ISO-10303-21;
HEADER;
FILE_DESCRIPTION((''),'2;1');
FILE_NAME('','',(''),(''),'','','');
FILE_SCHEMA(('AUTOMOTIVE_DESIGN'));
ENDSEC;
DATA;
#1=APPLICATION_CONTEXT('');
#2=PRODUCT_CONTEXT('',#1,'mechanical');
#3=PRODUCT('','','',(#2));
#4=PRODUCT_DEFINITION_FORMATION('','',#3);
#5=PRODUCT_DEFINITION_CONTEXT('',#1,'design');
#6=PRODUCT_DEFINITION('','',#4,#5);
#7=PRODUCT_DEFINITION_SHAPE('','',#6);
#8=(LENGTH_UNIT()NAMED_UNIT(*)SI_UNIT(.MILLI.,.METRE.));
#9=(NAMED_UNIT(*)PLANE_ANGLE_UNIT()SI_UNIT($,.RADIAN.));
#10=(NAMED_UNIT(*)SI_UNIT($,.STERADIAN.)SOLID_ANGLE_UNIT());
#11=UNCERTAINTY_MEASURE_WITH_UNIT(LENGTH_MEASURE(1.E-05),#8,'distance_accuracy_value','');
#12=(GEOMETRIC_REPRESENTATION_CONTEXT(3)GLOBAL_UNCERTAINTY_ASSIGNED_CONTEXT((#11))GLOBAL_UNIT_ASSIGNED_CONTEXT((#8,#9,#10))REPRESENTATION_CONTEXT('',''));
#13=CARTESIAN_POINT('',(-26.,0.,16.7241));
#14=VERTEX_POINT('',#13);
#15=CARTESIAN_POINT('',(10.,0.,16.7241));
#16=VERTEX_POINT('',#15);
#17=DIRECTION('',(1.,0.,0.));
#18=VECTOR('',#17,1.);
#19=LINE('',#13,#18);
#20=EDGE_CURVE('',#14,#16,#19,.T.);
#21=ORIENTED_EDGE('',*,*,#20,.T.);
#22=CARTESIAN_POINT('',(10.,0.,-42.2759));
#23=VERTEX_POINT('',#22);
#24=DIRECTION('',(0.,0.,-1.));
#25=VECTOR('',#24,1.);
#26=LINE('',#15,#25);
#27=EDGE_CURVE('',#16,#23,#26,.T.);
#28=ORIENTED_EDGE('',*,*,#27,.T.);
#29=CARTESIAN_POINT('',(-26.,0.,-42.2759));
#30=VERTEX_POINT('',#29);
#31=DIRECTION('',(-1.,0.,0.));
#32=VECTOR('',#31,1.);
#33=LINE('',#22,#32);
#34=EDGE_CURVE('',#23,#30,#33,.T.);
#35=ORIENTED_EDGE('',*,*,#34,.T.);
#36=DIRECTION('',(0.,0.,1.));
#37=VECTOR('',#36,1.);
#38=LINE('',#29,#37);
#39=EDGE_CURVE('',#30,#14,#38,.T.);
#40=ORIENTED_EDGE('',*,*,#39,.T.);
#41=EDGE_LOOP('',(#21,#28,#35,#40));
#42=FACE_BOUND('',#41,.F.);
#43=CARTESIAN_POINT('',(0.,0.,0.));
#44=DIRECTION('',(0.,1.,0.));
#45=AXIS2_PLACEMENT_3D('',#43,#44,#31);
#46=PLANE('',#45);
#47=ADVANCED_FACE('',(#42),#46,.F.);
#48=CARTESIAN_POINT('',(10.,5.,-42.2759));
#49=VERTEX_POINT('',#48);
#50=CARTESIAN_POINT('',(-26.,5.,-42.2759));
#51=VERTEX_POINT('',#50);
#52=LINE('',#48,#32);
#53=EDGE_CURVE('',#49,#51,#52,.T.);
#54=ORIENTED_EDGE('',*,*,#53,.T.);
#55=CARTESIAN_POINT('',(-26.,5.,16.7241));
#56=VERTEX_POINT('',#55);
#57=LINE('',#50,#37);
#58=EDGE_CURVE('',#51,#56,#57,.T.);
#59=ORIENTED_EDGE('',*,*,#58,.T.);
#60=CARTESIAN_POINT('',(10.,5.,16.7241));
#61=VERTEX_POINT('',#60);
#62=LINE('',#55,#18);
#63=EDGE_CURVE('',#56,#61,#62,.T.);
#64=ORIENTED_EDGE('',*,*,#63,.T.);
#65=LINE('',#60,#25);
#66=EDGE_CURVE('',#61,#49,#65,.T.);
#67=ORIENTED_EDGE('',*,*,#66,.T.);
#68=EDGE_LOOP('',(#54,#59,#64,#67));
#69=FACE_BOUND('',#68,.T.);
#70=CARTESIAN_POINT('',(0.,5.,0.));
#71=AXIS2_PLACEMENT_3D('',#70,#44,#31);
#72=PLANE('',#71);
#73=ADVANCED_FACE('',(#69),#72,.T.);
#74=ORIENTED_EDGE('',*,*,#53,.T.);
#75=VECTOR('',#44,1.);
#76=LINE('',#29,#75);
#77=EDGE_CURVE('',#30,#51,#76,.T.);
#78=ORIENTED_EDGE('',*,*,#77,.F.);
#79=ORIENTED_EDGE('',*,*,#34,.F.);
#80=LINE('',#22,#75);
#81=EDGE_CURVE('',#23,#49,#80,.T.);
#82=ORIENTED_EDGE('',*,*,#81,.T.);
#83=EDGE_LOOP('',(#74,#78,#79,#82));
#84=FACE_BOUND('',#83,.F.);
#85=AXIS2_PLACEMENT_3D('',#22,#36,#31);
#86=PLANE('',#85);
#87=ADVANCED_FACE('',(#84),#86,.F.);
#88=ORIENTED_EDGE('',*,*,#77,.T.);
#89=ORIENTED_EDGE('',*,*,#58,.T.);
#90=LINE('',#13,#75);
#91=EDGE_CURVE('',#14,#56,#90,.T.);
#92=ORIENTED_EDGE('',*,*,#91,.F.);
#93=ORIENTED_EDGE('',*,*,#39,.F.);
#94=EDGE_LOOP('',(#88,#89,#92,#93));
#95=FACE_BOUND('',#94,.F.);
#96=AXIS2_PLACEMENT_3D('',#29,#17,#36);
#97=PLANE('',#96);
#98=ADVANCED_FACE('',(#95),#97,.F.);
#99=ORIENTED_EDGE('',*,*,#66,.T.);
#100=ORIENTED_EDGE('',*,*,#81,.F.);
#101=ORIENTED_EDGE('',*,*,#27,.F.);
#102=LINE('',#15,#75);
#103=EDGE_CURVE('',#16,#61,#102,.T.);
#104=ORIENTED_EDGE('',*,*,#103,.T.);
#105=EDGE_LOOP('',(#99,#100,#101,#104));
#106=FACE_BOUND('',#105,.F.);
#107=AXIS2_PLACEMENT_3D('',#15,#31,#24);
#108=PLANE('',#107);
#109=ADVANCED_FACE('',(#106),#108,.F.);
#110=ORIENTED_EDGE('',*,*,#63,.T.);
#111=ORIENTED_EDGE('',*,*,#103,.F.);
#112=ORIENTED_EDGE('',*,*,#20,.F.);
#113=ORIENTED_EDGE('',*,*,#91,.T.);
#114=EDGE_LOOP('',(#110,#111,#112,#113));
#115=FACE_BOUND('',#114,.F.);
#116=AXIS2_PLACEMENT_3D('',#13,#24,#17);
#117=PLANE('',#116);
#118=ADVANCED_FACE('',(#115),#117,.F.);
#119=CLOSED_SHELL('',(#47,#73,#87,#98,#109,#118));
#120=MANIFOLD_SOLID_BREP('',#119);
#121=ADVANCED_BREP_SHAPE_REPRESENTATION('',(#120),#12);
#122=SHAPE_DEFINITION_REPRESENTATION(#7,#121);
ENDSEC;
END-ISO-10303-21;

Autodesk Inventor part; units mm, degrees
ref_plane "YZ Plane" through (0, 0, 0) normal (1, 0, 0) x (0, 1, 0)
ref_plane "XZ Plane" through (0, 0, 0) normal (0, 1, 0) x (-1, 0, 0)
ref_plane "XY Plane" through (0, 0, 0) normal (0, 0, 1) x (1, 0, 0)
sketch "Sketch1" plane through (0, 0, 0) normal (0, 1, 0) x (-1, 0, 0)
  line L0 (26, 16.7241) -> (-10, 16.7241)
  line L1 (-10, 16.7241) -> (-10, -42.2759)
  line L2 (-10, -42.2759) -> (26, -42.2759)
  line L3 (26, -42.2759) -> (26, 16.7241)
  point P0 (0, 0)
  dimension "d0" = 36
  dimension "d1" = 59
extrude "Extrusion1" add sketch "Sketch1" along normal blind 5
properties part number "Battery"
